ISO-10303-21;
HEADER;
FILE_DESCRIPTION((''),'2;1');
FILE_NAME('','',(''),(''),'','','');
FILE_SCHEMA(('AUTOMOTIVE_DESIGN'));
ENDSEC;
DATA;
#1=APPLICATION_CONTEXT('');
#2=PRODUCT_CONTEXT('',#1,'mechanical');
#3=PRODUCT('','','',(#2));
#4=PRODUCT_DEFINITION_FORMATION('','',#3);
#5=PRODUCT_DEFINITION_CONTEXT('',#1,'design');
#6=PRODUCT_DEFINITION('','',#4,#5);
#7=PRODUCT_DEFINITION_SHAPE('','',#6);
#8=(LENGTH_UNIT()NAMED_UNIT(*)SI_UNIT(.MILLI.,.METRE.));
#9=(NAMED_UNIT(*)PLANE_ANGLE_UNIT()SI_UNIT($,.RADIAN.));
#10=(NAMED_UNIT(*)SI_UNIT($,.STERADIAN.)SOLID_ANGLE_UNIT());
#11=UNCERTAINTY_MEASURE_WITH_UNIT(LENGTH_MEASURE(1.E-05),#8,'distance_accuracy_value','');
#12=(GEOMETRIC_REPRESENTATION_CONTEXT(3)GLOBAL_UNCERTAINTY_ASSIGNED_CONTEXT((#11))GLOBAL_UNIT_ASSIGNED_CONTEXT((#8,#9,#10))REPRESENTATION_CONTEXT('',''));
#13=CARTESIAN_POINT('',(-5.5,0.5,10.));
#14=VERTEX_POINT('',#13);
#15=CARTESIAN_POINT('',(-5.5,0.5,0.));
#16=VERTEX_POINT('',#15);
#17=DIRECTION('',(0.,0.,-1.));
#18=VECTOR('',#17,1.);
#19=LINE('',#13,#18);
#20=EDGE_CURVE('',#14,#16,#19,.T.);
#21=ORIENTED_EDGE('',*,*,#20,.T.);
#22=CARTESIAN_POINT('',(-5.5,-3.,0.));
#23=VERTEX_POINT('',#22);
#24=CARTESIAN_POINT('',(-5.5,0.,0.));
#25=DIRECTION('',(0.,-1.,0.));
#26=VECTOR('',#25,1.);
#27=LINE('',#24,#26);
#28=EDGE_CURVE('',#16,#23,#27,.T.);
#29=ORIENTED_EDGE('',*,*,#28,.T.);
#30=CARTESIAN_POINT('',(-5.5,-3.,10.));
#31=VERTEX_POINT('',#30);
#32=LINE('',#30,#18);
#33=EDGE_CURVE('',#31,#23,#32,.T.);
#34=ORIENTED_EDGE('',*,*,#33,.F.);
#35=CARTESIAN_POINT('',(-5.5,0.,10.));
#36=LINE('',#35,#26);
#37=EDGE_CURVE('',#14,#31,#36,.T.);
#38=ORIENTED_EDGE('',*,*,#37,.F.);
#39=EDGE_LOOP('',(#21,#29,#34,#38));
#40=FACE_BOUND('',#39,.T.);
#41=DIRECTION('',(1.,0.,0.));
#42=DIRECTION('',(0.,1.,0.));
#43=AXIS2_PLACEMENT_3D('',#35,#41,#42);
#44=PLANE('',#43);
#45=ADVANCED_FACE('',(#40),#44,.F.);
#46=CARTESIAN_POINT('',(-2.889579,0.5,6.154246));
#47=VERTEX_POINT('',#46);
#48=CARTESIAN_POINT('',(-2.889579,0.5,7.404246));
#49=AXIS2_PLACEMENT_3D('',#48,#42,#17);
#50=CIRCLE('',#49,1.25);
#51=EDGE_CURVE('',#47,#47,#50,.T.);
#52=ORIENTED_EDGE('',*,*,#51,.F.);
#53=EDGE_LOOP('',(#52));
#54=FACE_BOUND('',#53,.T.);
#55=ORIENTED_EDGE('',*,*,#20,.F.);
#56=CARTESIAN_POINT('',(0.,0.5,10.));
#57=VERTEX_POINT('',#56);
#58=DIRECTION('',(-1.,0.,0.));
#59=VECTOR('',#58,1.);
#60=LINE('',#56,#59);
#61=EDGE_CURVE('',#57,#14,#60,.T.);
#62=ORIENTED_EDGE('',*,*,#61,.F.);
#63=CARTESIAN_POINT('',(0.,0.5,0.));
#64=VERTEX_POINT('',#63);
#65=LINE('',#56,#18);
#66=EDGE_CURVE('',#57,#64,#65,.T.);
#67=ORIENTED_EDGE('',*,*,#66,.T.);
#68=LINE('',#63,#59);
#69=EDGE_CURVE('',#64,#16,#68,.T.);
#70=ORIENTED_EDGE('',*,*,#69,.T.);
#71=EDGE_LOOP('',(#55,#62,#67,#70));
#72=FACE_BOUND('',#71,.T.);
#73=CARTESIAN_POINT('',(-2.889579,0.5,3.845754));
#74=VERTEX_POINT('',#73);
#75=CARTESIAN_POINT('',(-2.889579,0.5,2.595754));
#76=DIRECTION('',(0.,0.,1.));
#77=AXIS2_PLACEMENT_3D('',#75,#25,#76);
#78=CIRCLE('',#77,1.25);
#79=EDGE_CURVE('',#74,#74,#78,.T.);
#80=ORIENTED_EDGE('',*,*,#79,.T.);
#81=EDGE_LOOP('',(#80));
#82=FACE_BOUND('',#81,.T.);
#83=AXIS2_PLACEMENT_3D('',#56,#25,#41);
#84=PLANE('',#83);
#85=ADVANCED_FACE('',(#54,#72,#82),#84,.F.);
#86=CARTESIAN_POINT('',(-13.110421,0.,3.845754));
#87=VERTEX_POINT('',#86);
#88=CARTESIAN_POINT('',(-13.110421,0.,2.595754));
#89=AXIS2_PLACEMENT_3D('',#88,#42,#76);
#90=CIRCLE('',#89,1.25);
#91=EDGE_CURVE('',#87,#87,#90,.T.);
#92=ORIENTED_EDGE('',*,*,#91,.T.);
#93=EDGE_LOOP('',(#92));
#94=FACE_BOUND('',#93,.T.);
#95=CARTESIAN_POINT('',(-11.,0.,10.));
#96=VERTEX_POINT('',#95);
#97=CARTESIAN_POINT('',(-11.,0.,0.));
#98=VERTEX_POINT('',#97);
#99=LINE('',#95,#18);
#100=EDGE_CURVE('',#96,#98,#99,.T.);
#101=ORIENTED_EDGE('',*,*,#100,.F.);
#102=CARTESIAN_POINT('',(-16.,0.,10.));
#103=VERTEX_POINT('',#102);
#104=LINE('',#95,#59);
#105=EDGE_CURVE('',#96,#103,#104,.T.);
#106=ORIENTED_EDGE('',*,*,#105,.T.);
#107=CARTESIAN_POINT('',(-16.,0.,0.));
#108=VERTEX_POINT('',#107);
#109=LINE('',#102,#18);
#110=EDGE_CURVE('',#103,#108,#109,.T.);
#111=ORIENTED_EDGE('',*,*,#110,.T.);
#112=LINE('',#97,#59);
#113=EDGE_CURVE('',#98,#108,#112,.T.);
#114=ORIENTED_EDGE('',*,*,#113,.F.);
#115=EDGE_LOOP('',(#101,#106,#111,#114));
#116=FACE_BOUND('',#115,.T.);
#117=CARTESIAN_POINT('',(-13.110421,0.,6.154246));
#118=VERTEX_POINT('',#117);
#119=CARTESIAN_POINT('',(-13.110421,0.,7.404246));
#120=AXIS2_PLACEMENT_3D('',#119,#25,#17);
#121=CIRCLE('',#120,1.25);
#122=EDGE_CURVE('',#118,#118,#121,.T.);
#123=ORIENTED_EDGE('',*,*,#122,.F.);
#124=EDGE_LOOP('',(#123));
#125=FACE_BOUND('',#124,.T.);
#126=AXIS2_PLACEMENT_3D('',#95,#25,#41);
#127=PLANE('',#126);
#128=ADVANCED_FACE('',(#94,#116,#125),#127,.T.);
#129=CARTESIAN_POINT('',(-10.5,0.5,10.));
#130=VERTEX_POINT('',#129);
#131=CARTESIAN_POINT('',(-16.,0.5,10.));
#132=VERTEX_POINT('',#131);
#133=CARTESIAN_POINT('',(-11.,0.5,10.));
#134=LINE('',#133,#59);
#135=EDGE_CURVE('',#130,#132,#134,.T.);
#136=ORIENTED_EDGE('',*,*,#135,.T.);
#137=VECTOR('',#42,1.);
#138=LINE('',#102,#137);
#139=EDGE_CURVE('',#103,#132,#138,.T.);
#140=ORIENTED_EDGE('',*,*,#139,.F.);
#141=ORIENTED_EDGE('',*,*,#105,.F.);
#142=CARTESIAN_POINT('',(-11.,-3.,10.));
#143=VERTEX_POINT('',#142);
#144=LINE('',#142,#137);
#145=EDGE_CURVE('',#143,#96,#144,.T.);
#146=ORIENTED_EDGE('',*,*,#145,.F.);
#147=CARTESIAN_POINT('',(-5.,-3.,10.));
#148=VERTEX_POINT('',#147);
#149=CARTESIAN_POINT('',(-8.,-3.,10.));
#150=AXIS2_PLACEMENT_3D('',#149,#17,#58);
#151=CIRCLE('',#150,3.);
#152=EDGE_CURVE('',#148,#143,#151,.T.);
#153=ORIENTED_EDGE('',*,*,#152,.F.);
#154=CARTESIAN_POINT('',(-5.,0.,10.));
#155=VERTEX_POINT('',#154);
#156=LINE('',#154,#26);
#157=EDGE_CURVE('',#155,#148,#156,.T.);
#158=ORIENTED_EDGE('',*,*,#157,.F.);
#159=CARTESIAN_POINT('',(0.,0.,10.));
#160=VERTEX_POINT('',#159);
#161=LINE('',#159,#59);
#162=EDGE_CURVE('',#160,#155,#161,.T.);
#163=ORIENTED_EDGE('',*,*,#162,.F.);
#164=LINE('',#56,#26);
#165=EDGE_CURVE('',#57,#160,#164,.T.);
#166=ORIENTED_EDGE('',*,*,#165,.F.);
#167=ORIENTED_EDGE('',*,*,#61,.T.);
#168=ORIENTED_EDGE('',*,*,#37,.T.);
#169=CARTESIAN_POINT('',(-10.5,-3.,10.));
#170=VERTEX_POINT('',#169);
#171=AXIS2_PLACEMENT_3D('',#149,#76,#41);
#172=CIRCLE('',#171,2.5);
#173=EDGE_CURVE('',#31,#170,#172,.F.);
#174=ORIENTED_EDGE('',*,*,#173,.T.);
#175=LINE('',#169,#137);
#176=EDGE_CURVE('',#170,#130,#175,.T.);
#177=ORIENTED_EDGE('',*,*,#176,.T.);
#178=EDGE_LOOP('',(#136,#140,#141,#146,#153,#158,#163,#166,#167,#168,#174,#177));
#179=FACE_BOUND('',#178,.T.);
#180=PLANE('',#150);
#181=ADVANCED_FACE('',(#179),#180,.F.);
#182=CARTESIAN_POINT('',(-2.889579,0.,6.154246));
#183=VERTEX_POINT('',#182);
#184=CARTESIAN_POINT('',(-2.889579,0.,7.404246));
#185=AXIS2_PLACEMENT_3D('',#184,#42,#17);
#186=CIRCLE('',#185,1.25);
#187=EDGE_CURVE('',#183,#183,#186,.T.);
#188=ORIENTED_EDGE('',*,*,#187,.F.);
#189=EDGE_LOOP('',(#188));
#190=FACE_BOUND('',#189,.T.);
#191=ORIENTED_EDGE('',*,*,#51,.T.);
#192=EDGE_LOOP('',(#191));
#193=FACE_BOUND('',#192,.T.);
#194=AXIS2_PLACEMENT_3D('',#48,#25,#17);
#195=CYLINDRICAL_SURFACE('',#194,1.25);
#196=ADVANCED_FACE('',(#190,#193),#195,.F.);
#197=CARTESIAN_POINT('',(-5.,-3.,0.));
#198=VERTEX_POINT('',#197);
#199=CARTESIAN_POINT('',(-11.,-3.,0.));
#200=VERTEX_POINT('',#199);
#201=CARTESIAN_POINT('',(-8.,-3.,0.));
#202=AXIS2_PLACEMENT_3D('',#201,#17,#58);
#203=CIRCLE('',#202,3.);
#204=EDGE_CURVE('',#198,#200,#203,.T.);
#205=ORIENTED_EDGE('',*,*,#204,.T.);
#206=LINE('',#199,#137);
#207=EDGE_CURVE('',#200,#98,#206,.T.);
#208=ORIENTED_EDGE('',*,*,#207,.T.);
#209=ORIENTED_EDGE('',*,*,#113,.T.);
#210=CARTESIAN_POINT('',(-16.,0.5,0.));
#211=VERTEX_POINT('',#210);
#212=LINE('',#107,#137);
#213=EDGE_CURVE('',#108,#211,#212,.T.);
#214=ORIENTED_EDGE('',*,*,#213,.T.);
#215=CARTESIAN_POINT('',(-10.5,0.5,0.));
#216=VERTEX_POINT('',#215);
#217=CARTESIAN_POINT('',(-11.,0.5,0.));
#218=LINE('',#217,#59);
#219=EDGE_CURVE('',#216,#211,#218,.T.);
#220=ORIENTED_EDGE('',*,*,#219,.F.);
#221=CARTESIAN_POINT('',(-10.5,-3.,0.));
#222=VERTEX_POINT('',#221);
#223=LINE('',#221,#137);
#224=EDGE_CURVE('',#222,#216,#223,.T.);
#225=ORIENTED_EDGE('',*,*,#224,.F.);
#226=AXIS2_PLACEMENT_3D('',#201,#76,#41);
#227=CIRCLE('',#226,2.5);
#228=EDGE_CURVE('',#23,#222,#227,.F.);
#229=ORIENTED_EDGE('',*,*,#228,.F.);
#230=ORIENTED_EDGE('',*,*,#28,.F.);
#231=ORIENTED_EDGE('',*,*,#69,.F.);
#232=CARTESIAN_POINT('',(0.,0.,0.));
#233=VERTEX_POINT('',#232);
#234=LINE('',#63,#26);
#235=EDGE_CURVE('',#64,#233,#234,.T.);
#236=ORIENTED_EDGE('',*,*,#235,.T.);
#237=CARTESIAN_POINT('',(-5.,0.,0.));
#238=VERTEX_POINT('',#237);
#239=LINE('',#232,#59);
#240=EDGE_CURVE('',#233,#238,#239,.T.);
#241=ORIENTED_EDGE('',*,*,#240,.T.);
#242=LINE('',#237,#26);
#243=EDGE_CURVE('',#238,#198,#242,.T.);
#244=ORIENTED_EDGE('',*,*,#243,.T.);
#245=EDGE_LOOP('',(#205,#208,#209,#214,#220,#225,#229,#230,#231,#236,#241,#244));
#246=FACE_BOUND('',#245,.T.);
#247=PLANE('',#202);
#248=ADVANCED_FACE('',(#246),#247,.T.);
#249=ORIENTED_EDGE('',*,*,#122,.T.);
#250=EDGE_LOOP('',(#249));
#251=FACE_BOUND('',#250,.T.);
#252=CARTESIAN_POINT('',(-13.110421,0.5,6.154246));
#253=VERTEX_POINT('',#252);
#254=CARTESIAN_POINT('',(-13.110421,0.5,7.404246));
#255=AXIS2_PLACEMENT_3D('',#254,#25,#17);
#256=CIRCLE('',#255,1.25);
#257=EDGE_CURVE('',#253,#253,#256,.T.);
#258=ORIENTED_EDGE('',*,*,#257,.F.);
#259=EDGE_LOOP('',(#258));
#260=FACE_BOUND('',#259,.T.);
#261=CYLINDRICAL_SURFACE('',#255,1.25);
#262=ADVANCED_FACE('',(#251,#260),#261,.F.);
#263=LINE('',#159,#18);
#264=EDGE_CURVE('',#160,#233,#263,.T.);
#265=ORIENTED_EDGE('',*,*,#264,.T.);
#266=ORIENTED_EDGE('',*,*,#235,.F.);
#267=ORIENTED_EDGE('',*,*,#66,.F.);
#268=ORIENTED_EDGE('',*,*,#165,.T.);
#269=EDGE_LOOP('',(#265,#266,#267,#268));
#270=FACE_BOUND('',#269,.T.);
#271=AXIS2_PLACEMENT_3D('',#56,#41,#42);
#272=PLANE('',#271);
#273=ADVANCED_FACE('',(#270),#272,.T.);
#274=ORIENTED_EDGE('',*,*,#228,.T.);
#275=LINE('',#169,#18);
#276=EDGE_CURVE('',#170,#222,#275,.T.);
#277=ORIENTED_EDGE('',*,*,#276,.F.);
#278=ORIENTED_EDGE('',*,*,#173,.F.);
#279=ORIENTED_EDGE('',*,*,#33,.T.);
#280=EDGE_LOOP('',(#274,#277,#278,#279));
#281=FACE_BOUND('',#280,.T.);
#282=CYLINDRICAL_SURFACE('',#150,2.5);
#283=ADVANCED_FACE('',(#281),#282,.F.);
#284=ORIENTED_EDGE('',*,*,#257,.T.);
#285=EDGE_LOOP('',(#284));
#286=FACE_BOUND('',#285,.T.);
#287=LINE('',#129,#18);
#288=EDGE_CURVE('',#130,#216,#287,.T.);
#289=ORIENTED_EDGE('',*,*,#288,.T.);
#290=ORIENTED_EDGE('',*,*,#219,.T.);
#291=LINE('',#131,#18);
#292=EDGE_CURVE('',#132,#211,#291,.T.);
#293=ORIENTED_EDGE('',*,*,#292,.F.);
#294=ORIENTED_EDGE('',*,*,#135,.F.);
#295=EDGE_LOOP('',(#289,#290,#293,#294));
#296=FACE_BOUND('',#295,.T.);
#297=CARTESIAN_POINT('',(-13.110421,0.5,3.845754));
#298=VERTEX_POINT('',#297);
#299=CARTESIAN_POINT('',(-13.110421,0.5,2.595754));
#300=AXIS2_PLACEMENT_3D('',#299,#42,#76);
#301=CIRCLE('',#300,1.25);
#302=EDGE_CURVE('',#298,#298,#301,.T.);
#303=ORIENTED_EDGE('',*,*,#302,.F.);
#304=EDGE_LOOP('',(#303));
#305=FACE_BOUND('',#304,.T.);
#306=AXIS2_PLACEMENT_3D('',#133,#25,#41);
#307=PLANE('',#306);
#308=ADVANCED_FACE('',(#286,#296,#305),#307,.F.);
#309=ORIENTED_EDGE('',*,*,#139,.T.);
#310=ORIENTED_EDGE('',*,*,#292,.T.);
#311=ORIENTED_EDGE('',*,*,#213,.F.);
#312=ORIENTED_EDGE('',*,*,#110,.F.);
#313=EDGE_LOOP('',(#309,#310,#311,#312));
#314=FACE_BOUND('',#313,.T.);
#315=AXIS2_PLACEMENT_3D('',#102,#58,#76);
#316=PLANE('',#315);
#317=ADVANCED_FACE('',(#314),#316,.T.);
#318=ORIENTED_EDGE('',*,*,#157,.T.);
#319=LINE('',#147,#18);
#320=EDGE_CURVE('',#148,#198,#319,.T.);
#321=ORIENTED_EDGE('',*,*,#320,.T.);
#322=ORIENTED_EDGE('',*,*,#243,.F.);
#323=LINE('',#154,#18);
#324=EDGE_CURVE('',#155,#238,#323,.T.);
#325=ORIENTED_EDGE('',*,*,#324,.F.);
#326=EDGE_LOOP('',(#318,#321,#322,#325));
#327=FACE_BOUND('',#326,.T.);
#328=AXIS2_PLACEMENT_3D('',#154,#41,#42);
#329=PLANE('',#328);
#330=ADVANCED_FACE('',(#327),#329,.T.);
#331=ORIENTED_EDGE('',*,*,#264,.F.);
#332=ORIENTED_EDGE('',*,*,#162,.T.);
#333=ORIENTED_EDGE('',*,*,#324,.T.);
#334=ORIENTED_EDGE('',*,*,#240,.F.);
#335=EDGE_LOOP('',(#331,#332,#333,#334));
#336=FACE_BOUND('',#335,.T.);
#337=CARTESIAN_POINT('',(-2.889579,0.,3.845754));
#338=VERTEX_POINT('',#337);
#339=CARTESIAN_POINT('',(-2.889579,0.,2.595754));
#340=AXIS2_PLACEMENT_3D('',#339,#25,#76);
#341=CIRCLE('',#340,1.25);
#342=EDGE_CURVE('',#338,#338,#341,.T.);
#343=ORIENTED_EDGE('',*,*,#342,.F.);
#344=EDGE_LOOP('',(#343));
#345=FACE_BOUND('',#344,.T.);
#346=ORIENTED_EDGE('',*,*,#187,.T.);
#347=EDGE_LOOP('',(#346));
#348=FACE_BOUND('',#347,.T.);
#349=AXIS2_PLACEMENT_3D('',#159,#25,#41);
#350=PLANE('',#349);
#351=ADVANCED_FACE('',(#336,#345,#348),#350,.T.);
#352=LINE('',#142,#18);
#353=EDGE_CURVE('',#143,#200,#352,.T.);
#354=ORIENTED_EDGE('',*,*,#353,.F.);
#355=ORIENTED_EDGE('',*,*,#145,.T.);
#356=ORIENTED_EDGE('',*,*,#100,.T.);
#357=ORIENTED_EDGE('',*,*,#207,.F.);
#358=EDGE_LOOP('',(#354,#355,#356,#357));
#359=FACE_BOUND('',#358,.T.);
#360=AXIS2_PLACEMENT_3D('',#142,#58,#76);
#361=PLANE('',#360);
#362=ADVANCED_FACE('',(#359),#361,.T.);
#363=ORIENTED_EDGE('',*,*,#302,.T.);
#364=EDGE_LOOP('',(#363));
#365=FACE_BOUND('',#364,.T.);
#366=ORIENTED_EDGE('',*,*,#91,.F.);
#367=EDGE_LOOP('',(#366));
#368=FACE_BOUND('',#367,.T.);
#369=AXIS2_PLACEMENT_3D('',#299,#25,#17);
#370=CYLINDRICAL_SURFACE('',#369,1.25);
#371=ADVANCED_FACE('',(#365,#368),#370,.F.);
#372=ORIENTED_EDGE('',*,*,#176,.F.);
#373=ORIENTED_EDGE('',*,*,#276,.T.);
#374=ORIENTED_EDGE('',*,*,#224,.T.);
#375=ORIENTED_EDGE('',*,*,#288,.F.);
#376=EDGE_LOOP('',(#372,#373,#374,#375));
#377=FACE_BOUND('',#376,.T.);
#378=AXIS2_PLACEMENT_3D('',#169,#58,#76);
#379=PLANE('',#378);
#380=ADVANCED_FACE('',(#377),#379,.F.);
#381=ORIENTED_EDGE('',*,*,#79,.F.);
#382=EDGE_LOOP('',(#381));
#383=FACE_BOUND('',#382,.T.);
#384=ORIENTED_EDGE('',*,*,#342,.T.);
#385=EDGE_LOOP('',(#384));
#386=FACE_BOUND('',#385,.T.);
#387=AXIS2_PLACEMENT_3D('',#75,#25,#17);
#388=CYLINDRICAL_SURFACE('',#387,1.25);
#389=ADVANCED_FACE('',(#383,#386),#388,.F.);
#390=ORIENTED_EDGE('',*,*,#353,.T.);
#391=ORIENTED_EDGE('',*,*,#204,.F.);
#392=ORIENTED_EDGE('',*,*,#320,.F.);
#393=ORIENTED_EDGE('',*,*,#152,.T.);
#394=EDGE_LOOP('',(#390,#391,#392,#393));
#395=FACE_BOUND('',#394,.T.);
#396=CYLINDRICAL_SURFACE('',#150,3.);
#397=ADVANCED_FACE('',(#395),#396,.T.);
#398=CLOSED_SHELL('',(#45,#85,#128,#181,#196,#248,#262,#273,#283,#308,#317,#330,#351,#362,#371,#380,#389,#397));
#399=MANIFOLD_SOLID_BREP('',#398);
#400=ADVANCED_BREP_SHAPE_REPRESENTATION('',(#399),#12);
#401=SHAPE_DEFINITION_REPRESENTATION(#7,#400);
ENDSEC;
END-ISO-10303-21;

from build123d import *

# Parameters (mm, degrees)
EXTRUDE_THIN4_DEPTH     = 10
SKETCH2_R               = 1.25
CUT_EXTRUDE1_DEPTH      = 20.798989873
MIRROR2_COPY_1_SKETCH_R = 1.25
MIRROR2_COPY_1_DEPTH    = 20.798989873


with BuildPart() as part:
    # Sketch1 → Extrude-Thin4 (new body)
    with BuildSketch(Plane.XY):
        with BuildLine():
            Line((0, 0), (-5, 0))
            Line((-5, 0), (-5, -3))
            ThreePointArc((-5, -3), (-8, -6), (-11, -3))
            Line((-11, -3), (-11, 0))
            Line((-11, 0), (-16, 0))
            Line((-16, 0), (-16, 0.5))
            Line((-16, 0.5), (-10.5, 0.5))
            Line((-10.5, 0.5), (-10.5, -3))
            ThreePointArc((-10.5, -3), (-8, -5.5), (-5.5, -3))
            Line((-5.5, -3), (-5.5, 0.5))
            Line((-5.5, 0.5), (0, 0.5))
            Line((0, 0.5), (0, 0))
        make_face()
    extrude(amount=EXTRUDE_THIN4_DEPTH)

    # Sketch2 → Cut-Extrude1 (cut, through all)
    with BuildSketch(Plane(origin=(0, 0, 0), x_dir=(1, 0, 0), z_dir=(0, 1, 0))):
        with Locations(Location((-13.110421324, -2.595753644, 0), (0, 0, 270))):
            Circle(SKETCH2_R)
    cut_extrude1 = extrude(amount=CUT_EXTRUDE1_DEPTH, mode=Mode.SUBTRACT)

    # Mirror1: Cut-Extrude1 across plane
    add(cut_extrude1.mirror(Plane.XY.offset(5)), mode=Mode.SUBTRACT)

    # Mirror2: Cut-Extrude1 across plane
    add(cut_extrude1.mirror(Plane(origin=(-8, 0, 0), x_dir=(0, 0, 1), z_dir=(1, 0, 0))), mode=Mode.SUBTRACT)

    # Mirror2 copy 1 sketch → Mirror2 copy 1 (cut, through all)
    with BuildSketch(Plane(origin=(-16, 0, 10), x_dir=(-1, 0, 0), z_dir=(0, 1, 0))):
        with Locations(Location((-13.110421324, -2.595753644, 0), (0, 0, 270))):
            Circle(MIRROR2_COPY_1_SKETCH_R)
    extrude(amount=MIRROR2_COPY_1_DEPTH, mode=Mode.SUBTRACT)


solid = part.part
